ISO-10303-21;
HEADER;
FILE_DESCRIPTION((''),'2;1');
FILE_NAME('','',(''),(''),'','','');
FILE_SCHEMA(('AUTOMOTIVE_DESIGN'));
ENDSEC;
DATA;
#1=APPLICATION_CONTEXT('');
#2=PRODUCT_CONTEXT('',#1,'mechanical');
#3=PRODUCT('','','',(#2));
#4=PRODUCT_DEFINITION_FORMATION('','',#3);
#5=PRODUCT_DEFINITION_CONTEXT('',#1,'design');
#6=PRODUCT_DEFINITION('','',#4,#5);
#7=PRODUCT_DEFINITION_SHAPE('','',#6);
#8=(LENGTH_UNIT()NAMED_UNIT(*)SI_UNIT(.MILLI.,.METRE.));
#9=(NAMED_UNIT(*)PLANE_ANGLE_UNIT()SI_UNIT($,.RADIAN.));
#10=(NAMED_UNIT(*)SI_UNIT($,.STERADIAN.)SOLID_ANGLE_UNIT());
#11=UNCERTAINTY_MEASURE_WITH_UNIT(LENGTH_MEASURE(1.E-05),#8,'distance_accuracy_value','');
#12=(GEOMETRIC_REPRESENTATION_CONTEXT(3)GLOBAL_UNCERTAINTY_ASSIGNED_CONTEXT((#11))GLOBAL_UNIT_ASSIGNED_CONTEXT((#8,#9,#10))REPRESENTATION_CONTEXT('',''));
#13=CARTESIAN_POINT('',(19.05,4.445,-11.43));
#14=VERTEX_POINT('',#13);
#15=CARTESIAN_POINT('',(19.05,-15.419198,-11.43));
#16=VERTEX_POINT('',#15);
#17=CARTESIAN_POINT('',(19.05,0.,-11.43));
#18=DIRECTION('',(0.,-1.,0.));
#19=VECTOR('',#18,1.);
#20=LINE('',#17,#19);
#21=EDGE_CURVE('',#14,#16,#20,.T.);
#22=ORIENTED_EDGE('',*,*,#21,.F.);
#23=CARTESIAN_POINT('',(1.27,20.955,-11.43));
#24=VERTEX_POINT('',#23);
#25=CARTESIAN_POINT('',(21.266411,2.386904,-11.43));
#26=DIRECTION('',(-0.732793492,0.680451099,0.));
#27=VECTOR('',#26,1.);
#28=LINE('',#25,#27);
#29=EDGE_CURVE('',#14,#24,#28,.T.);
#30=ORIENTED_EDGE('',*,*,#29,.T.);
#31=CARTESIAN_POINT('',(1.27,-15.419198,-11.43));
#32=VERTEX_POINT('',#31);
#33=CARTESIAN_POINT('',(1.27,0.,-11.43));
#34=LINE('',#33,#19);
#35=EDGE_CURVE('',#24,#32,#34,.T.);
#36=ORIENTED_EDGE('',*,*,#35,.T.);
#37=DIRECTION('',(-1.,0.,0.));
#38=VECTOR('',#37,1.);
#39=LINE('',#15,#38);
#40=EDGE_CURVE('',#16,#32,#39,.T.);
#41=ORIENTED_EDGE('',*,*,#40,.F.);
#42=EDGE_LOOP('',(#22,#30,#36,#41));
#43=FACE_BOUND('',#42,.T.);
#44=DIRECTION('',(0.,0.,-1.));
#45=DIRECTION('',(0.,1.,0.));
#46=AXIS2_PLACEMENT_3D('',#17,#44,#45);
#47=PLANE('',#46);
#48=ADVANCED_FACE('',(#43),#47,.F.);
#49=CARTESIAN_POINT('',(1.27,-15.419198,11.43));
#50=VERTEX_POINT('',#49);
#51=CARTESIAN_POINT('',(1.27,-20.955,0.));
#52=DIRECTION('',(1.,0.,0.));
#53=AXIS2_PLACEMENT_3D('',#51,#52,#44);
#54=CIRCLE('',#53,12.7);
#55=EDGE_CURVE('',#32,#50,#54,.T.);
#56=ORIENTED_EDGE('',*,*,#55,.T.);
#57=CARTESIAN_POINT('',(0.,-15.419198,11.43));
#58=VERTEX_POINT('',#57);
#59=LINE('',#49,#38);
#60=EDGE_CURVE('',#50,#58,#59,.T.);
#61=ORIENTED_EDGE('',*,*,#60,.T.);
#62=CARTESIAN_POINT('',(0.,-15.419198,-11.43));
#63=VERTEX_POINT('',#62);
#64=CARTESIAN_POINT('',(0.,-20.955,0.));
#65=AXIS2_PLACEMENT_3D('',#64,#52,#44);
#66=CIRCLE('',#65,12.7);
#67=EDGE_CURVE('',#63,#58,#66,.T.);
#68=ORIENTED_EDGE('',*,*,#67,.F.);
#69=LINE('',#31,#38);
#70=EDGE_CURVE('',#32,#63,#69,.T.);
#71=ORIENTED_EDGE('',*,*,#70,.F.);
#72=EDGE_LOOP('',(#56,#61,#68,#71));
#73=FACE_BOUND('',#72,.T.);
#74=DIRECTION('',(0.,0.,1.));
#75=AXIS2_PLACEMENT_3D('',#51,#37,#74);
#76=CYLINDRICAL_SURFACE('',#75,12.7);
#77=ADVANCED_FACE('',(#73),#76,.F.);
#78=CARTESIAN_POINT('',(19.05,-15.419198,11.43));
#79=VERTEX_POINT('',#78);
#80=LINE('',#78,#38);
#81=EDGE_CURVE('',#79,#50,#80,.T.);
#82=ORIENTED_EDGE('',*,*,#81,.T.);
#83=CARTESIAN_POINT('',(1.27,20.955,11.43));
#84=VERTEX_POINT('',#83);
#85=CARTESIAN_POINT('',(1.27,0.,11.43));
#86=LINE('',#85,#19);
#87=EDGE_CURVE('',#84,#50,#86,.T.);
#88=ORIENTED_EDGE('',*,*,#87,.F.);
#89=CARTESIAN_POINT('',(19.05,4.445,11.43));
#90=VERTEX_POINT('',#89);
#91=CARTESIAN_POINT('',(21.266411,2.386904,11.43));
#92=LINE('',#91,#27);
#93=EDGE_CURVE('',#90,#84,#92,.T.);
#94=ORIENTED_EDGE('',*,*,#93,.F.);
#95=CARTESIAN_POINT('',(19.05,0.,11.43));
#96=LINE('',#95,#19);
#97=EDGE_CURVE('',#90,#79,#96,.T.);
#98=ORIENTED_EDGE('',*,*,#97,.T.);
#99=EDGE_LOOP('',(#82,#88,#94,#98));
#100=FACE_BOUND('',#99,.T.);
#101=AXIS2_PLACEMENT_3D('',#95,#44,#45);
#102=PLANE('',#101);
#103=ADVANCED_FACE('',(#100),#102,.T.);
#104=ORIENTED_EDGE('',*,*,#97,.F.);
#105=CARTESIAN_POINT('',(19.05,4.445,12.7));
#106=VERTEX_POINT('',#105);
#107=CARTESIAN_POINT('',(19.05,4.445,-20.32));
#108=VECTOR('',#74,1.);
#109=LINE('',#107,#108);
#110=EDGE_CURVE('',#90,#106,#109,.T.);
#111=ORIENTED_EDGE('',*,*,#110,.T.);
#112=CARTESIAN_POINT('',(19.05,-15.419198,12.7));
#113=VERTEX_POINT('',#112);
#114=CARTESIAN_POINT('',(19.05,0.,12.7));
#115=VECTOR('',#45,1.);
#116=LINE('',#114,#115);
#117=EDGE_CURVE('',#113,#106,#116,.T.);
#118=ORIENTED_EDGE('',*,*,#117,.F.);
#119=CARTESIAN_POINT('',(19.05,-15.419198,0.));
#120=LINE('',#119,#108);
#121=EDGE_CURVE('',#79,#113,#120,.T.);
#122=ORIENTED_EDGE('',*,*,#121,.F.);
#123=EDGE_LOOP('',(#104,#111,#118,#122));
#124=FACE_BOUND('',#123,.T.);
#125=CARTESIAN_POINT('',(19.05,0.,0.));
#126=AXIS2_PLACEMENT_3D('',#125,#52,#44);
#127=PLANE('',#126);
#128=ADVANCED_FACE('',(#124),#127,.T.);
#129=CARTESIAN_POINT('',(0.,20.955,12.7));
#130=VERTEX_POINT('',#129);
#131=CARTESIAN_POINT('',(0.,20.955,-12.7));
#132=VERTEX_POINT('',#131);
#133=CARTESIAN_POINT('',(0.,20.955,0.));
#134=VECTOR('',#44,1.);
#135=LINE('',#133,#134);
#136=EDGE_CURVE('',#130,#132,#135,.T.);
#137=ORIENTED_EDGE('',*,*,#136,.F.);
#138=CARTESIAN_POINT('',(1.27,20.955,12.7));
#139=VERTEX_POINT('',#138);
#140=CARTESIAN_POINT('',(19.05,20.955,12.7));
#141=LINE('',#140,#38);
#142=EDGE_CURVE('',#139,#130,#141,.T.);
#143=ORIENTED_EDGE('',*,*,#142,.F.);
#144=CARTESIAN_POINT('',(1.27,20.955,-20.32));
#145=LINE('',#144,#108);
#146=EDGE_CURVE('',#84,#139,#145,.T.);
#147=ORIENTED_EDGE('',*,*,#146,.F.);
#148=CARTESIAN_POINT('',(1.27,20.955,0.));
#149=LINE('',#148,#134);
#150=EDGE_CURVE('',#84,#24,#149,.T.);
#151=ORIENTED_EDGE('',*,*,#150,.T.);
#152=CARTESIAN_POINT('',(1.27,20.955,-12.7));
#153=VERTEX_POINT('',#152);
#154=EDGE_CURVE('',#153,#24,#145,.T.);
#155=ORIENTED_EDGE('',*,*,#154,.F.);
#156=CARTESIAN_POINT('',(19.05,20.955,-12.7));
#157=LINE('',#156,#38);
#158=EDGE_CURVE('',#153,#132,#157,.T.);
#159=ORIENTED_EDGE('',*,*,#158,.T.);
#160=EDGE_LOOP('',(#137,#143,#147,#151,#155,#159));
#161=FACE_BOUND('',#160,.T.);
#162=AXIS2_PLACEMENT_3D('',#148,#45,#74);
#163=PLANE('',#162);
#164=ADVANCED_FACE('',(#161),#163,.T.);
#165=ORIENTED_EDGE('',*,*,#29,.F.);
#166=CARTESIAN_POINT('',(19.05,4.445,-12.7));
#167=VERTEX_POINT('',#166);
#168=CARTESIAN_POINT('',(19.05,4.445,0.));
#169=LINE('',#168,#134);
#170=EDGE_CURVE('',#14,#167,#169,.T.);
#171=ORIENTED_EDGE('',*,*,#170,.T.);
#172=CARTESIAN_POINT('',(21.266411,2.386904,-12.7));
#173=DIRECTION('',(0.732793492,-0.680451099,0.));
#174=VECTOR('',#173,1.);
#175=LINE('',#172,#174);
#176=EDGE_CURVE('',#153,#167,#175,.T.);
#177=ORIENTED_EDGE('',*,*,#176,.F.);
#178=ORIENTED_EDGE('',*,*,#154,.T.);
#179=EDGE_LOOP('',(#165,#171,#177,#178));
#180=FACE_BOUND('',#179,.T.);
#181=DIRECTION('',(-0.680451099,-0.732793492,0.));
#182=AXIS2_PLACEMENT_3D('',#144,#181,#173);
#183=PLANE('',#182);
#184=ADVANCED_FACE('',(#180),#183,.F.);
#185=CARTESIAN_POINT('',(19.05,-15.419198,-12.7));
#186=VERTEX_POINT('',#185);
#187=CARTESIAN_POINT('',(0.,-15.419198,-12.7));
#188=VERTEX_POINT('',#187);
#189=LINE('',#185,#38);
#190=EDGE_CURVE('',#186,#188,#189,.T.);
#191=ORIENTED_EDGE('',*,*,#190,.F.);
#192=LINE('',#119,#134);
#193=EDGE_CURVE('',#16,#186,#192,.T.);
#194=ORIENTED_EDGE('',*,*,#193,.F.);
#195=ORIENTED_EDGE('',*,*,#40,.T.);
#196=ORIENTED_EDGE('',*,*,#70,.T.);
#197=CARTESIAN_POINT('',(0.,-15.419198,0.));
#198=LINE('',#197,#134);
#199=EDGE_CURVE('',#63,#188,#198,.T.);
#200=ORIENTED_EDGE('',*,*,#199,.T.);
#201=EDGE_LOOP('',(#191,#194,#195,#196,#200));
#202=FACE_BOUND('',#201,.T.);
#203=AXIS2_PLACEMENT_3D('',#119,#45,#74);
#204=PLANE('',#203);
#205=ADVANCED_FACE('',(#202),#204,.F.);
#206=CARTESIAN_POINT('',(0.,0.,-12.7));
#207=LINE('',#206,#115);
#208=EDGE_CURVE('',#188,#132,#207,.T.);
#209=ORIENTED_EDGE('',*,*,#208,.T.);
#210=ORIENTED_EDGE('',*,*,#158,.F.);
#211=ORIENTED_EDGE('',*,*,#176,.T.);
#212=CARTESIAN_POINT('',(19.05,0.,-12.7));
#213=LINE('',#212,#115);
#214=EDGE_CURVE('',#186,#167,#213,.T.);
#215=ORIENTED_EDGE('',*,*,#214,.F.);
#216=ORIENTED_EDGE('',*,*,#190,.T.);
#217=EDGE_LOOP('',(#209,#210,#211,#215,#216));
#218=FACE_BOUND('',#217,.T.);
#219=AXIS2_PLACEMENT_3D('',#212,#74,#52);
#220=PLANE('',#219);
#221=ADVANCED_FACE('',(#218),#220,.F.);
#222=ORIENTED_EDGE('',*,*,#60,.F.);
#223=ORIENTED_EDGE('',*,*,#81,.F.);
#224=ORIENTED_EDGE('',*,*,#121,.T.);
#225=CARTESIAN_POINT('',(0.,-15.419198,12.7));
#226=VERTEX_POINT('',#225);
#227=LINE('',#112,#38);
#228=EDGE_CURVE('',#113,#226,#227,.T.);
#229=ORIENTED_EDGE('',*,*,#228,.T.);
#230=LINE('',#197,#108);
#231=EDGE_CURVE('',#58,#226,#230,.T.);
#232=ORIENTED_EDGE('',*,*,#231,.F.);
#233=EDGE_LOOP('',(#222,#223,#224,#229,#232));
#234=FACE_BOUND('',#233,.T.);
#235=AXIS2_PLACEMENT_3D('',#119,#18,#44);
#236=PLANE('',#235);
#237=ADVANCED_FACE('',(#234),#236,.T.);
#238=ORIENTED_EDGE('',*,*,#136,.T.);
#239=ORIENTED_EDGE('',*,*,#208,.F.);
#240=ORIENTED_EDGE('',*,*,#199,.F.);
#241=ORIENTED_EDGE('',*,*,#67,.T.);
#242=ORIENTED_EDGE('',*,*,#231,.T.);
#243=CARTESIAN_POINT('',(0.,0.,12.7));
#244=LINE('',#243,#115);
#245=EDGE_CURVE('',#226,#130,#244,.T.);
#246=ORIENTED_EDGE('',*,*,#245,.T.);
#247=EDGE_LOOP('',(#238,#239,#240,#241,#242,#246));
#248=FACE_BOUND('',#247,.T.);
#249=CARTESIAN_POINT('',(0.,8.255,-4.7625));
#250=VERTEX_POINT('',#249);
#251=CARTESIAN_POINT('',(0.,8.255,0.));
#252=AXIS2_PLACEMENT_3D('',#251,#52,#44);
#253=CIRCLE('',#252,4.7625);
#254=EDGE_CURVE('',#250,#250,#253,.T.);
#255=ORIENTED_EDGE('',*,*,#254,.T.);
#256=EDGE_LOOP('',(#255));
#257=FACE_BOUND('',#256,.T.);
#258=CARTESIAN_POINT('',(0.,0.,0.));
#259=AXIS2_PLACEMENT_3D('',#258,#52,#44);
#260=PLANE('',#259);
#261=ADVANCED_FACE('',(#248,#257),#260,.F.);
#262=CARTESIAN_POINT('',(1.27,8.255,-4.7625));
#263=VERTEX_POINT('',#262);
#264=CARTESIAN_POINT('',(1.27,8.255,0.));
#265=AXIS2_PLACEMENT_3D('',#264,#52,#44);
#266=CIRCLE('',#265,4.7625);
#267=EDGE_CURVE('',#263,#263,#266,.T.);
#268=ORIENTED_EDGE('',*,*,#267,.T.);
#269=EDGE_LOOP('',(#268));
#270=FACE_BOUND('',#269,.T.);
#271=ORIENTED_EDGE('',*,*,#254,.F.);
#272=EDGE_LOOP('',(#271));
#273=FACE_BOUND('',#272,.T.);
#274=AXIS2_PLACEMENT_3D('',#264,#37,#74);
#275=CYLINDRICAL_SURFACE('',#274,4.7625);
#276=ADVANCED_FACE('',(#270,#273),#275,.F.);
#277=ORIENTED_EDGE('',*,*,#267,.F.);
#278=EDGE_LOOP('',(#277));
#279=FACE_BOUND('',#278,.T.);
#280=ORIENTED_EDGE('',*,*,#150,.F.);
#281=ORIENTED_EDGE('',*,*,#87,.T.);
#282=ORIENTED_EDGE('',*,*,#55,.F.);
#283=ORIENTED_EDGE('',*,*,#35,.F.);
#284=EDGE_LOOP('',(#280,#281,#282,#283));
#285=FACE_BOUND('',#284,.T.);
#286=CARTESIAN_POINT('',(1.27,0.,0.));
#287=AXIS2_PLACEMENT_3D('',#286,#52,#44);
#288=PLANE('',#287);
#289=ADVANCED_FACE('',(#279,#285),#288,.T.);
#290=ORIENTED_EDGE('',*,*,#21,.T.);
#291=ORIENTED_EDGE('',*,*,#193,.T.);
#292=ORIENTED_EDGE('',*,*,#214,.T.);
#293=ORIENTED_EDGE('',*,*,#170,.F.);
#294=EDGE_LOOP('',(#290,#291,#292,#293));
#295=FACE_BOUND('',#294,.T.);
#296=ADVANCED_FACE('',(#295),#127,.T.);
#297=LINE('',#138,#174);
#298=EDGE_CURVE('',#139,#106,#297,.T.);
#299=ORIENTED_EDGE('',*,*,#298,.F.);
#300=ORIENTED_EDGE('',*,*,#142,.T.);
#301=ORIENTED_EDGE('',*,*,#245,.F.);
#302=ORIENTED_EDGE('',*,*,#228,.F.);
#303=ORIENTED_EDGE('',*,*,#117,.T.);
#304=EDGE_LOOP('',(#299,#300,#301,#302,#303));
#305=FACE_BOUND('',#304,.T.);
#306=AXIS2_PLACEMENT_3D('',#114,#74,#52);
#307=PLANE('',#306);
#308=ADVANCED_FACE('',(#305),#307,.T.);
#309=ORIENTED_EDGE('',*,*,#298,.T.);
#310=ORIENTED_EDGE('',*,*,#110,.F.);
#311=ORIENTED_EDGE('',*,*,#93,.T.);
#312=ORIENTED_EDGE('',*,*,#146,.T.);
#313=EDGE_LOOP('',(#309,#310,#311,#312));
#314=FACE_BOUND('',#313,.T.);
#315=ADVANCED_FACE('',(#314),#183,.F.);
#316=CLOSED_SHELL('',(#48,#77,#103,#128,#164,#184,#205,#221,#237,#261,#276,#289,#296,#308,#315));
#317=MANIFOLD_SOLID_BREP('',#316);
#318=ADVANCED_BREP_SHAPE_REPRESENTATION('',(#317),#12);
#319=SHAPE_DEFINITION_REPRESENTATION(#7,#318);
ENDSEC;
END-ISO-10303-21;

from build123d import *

# Parameters (mm, degrees)
SKETCH1_R           = 4.7625
BOSS_EXTRUDE1_DEPTH = 1.27
SKETCH1_3_W         = 1.27
SKETCH1_3_H         = 36.374198342
BOSS_EXTRUDE2_DEPTH = 19.05
CUT_EXTRUDE1_DEPTH  = 33.02


with BuildPart() as part:
    # Sketch1 → Boss-Extrude1 (new body)
    with BuildSketch(Plane(origin=(0, 0, 0), x_dir=(0, 0, -1), z_dir=(1, 0, 0))):
        with BuildLine():
            Line((11.43, 20.955), (-11.43, 20.955))
            Line((-11.43, 20.955), (-11.43, -15.419198342))
            ThreePointArc((-11.43, -15.419198342), (0, -8.255), (11.43, -15.419198342))
            Line((11.43, -15.419198342), (11.43, 20.955))
        make_face()
        with Locations((0, 8.255)):
            Circle(SKETCH1_R, mode=Mode.SUBTRACT)
    extrude(amount=BOSS_EXTRUDE1_DEPTH)

    # Sketch1<3> → Boss-Extrude2 (add)
    with BuildSketch(Plane(origin=(0, 0, 0), x_dir=(0, 0, -1), z_dir=(1, 0, 0))):
        with Locations((-12.065, 2.767900829)):
            Rectangle(SKETCH1_3_W, SKETCH1_3_H)
        with Locations((12.065, 2.767900829)):
            Rectangle(SKETCH1_3_W, SKETCH1_3_H)
    extrude(amount=BOSS_EXTRUDE2_DEPTH)

    # Sketch2 → Cut-Extrude1 (cut)
    with BuildSketch(Plane.XY.offset(12.7)):
        Polygon((1.27, 20.955), (19.05, 4.445), (19.05, 20.955), align=None)
    extrude(amount=-CUT_EXTRUDE1_DEPTH, mode=Mode.SUBTRACT)


solid = part.part
